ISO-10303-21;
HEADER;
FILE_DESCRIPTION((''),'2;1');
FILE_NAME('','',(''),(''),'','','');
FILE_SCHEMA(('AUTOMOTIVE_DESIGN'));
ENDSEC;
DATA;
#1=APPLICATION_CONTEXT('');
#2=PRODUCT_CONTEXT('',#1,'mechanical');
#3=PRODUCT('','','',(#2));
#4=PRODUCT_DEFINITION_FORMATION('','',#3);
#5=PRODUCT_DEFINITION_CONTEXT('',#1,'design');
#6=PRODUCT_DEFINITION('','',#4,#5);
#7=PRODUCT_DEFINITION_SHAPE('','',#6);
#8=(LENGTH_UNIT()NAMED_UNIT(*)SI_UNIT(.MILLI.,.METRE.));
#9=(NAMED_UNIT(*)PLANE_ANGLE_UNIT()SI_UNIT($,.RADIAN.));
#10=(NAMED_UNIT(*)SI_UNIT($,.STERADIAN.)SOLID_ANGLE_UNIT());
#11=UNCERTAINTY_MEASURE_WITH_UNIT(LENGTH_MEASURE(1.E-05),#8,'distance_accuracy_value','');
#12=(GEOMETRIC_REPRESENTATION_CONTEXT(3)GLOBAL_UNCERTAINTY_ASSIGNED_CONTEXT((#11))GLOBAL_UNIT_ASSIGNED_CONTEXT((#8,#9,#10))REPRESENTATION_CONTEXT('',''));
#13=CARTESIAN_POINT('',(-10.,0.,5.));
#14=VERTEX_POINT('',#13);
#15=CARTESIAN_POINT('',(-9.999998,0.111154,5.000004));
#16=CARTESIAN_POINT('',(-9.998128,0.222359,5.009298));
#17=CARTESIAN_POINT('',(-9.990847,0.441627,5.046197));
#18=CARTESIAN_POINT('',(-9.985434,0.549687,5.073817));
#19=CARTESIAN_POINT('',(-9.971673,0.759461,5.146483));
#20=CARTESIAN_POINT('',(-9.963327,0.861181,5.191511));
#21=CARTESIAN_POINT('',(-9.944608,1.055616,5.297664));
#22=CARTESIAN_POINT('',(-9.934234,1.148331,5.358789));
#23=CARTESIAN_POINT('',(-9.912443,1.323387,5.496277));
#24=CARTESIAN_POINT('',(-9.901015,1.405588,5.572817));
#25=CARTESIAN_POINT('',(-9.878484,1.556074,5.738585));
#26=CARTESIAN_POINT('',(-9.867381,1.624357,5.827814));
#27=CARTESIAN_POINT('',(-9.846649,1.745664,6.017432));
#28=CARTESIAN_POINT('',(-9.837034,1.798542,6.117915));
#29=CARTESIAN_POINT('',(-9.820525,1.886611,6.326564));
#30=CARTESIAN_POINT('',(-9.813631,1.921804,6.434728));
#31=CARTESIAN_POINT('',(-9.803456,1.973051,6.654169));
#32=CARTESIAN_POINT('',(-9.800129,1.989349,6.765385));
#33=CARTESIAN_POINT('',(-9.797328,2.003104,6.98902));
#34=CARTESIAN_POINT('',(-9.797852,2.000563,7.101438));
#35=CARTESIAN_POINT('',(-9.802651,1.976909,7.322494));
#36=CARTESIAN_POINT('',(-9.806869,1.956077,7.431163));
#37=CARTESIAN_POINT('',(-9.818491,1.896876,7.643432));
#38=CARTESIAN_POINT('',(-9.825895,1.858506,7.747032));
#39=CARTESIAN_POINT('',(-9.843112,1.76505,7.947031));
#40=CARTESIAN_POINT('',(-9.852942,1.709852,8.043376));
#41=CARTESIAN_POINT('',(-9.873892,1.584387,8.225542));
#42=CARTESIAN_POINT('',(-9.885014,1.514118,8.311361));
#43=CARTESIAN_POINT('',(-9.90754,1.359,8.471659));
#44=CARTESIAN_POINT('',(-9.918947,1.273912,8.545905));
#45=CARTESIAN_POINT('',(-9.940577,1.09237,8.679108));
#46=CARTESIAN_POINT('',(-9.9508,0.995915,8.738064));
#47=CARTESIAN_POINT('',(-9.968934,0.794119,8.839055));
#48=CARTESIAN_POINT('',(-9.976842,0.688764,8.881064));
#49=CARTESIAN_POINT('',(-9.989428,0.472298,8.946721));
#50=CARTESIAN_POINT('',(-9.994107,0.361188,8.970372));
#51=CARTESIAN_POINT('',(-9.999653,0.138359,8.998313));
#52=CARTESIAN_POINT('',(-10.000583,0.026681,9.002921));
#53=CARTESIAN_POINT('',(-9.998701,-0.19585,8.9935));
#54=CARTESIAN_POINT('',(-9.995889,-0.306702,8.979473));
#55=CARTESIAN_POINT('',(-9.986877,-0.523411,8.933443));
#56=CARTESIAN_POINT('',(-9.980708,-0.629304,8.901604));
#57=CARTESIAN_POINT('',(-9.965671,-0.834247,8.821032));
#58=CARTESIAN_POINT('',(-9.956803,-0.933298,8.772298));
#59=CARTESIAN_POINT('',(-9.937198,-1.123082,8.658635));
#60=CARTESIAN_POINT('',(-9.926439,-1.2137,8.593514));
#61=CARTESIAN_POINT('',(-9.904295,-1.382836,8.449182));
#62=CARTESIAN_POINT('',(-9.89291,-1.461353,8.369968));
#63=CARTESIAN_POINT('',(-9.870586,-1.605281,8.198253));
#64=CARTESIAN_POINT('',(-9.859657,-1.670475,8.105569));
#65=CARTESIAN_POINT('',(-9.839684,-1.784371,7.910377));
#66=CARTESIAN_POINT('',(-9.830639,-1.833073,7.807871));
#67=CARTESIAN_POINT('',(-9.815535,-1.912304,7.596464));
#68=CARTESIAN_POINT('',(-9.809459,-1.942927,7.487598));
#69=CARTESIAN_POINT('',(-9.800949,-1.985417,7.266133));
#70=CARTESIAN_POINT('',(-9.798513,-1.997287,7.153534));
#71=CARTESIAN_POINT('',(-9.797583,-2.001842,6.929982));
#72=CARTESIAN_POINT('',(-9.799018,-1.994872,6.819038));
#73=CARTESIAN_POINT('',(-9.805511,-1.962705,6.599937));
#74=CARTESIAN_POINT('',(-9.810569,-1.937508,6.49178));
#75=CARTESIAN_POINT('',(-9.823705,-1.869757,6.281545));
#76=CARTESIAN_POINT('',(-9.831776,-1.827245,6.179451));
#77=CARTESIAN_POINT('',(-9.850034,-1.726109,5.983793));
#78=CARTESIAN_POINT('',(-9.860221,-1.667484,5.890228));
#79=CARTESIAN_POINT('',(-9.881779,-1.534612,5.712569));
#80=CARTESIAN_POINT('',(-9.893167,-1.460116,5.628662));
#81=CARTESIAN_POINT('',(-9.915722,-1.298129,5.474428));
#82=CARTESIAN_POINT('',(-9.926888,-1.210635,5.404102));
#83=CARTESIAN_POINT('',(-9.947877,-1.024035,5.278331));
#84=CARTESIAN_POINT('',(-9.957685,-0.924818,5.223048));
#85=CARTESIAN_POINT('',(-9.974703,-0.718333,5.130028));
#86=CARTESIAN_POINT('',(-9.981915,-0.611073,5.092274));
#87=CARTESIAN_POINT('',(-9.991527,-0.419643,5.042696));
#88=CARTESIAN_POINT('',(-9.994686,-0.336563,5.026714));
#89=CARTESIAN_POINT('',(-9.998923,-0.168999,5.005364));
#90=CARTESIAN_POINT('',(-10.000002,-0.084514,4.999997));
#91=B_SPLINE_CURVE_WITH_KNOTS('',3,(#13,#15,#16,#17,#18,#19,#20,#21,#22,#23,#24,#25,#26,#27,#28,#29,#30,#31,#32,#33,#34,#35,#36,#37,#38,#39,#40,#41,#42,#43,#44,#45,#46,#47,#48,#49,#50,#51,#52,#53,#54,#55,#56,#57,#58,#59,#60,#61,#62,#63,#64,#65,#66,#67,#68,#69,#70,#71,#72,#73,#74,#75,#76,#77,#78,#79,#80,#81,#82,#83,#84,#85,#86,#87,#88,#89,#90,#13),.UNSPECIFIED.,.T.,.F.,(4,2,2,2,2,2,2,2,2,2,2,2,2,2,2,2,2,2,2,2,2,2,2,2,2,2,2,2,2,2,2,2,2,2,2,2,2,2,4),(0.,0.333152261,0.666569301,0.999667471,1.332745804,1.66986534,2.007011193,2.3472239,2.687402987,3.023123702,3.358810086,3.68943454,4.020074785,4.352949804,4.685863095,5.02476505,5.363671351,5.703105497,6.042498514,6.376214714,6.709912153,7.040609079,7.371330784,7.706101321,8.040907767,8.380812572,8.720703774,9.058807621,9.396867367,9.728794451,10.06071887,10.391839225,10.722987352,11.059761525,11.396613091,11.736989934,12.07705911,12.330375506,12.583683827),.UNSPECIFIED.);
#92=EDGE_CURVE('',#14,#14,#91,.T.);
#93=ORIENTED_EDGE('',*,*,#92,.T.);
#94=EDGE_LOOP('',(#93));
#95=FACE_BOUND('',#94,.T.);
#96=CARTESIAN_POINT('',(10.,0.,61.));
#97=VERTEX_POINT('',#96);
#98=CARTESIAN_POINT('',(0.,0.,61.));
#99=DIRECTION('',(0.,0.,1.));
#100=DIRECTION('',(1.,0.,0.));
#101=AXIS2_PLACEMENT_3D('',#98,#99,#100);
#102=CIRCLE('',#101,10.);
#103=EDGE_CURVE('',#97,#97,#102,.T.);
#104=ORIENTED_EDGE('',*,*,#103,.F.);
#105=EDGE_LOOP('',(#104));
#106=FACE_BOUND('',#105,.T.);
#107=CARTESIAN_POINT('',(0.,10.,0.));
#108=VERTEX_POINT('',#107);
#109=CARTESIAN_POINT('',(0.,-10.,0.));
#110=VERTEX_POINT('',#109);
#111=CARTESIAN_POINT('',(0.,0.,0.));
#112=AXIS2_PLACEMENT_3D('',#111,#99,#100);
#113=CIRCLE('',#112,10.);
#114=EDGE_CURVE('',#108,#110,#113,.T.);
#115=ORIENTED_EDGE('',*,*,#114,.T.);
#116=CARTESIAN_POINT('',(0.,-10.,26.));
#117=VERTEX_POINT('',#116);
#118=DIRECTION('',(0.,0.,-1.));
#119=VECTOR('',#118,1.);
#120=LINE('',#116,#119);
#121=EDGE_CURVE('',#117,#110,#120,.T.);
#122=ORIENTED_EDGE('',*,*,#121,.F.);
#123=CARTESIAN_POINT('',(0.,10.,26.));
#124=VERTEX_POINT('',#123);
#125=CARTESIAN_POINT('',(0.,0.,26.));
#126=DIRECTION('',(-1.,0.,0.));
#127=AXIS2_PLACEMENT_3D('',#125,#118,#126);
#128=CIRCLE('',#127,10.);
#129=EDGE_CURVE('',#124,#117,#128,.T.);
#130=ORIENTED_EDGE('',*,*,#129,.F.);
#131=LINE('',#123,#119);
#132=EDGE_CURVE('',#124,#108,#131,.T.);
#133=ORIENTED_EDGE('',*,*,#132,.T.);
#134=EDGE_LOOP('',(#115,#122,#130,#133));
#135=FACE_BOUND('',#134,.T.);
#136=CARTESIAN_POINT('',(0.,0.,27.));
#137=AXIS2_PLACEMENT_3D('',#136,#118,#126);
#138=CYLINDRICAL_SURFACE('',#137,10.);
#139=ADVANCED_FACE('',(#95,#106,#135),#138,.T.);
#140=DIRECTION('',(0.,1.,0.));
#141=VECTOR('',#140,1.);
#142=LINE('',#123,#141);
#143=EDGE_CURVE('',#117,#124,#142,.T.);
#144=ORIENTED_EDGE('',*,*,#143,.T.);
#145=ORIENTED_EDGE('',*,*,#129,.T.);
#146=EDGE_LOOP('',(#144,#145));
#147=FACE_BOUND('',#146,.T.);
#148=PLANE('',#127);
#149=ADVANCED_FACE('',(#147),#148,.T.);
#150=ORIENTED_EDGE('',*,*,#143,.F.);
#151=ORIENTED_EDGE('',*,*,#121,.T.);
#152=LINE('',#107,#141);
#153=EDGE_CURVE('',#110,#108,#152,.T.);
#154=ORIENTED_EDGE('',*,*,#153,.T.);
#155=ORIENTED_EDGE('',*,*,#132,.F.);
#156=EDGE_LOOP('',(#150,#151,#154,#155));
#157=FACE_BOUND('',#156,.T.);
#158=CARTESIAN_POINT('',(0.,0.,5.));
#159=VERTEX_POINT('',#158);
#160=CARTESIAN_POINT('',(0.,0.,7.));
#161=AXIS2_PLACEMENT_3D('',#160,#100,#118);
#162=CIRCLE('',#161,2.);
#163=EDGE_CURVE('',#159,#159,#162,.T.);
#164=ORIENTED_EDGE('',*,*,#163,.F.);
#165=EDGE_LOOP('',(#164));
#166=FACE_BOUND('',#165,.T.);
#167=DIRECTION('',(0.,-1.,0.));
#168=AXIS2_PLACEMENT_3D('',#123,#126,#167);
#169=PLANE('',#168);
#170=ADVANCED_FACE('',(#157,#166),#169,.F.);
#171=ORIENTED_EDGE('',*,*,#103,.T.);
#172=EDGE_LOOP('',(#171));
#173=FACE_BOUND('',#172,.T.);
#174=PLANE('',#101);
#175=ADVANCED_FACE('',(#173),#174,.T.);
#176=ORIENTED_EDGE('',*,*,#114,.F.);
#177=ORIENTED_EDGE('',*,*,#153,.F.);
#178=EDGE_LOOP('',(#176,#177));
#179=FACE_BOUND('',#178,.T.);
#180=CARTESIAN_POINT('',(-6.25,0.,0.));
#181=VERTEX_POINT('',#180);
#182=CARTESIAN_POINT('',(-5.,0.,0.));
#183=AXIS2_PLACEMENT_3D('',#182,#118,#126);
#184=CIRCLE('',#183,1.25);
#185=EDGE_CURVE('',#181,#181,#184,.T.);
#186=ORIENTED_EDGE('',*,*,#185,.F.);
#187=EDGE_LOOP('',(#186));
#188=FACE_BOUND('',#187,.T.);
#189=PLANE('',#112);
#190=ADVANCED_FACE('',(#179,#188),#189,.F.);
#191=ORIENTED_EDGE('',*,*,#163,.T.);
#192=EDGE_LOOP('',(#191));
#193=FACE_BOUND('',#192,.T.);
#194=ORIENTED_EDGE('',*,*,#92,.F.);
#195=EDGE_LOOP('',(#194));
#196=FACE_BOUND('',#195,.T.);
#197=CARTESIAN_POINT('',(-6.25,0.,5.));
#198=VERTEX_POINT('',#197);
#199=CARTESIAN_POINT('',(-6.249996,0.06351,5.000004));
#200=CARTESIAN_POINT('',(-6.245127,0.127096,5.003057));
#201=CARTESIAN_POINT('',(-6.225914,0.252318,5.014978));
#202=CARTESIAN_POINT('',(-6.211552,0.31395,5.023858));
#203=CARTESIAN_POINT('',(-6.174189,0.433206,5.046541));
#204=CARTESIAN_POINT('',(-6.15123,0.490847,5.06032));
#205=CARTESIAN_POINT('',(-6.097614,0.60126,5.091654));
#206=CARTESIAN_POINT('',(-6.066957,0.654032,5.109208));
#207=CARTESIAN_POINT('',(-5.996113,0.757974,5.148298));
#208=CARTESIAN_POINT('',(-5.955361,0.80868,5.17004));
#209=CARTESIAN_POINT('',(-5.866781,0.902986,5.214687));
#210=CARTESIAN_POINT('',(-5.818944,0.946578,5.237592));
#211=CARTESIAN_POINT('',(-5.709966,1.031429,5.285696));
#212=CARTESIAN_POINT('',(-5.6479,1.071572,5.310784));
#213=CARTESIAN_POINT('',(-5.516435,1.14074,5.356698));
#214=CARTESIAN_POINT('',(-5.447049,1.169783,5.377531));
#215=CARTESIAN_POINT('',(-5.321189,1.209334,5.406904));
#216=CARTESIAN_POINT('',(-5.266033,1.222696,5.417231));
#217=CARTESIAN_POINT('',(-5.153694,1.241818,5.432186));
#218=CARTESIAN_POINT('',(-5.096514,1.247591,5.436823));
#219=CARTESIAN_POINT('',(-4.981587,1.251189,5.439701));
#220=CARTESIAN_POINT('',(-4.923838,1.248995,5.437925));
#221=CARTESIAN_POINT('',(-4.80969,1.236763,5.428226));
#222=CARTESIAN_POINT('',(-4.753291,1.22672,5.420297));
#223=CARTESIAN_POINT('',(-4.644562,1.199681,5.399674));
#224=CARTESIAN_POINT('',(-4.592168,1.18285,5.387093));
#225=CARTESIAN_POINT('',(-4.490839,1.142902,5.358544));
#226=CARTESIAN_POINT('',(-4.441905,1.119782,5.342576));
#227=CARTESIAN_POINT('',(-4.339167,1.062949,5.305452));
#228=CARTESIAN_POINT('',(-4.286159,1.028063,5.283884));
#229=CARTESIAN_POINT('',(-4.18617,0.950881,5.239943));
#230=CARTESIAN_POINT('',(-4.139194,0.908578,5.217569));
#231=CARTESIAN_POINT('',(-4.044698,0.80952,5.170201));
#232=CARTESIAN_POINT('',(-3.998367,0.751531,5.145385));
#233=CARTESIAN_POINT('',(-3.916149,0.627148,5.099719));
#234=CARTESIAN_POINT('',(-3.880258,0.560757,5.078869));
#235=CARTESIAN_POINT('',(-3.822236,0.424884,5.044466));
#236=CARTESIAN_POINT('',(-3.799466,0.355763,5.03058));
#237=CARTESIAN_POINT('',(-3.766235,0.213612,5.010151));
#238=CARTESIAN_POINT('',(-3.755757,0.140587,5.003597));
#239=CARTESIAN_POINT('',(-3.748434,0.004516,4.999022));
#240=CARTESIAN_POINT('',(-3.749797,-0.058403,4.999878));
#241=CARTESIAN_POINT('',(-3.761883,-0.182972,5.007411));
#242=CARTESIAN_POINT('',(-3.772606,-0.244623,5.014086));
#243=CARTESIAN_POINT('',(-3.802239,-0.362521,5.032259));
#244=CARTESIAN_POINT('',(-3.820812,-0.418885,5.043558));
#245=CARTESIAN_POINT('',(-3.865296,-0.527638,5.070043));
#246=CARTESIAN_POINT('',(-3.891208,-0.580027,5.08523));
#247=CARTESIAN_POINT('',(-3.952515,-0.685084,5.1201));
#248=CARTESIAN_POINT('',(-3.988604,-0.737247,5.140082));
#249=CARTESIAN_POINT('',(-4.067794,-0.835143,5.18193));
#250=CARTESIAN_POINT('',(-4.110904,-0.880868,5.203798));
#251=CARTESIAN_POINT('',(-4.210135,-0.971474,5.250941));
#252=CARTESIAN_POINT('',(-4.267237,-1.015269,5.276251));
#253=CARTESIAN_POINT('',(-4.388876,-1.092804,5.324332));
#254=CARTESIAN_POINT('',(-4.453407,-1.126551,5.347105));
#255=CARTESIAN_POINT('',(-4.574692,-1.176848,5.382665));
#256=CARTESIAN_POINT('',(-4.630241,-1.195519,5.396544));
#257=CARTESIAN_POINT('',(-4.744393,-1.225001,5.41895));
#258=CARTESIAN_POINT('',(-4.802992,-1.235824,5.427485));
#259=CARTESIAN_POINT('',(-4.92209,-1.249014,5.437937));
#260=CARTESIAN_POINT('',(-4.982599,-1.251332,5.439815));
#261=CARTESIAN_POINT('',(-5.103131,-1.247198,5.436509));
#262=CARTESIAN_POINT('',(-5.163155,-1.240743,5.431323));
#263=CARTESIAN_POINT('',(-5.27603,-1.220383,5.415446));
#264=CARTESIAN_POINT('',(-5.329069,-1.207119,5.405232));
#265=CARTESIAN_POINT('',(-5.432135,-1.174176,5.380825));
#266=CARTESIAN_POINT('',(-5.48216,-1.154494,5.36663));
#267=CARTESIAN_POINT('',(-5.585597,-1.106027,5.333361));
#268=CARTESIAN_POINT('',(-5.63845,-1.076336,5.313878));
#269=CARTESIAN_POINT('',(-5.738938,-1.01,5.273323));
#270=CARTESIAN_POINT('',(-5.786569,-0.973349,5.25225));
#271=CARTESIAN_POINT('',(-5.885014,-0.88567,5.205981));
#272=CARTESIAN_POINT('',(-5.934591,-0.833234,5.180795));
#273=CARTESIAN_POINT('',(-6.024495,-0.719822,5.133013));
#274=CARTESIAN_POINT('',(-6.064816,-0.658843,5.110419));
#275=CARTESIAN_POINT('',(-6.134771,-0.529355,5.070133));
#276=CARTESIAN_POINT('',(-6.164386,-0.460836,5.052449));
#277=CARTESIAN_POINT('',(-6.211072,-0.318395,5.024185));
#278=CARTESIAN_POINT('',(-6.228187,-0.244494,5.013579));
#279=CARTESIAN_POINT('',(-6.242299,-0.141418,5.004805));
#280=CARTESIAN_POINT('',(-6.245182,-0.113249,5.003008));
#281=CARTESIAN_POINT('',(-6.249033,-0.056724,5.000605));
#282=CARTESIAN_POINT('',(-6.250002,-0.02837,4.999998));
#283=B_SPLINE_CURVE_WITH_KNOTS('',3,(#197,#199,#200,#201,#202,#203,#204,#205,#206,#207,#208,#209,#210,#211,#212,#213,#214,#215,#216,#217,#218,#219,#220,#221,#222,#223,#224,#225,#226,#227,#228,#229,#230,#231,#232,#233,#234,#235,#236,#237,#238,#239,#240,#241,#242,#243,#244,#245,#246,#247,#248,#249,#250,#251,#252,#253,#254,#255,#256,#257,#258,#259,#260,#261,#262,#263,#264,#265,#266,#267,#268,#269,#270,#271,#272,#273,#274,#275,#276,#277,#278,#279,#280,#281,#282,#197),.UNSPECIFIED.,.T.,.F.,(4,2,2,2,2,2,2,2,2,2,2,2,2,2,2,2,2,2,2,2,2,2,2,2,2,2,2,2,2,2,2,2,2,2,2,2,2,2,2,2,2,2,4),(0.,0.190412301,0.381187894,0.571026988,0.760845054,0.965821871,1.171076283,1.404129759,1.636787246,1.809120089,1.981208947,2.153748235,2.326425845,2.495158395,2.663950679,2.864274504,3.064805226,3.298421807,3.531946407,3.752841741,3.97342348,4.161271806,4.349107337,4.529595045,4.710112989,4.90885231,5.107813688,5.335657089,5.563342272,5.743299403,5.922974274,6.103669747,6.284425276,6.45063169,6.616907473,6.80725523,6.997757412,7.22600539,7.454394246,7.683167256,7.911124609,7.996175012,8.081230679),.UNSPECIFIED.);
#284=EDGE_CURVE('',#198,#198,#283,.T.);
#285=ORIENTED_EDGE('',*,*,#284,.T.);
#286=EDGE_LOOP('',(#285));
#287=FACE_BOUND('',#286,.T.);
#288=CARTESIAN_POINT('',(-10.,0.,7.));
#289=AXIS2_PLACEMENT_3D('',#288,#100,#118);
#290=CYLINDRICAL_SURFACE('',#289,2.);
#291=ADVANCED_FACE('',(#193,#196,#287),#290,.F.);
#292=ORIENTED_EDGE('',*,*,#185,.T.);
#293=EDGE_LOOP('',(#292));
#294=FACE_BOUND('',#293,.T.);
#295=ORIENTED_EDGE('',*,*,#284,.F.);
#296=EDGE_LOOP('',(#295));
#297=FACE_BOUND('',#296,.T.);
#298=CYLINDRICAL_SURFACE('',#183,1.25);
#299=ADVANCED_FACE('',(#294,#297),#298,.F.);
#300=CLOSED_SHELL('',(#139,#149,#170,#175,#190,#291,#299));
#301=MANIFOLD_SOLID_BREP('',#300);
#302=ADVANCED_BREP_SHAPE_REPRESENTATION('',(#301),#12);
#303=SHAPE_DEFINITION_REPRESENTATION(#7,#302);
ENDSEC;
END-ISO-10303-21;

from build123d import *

# Parameters (mm, degrees)
SKETCH_1_R          = 10
EXTRUDE_1_DEPTH     = 27
SKETCH_3_W          = 10
SKETCH_3_H          = 20
CUT_EXTRUDE_2_DEPTH = 26
SKETCH_5_R          = 10
EXTRUDE_2_DEPTH     = 34
SKETCH_4_R          = 2
CUT_EXTRUDE_3_DEPTH = 63.617888818
M3X0_5_1_REACH      = 64.618
M3X0_5_1_BORE_R     = 1.25


with BuildPart() as part:
    # ｽｹｯﾁ1 → ﾎﾞｽ - 押し出し1 (new body)
    with BuildSketch(Plane.XY):
        Circle(SKETCH_1_R)
    extrude(amount=EXTRUDE_1_DEPTH)

    # ｽｹｯﾁ3 → ｶｯﾄ - 押し出し2 (cut)
    with BuildSketch(Plane(origin=(0, 0, 0), x_dir=(-1, 0, 0), z_dir=(0, 0, -1))):
        with Locations((-5, 0)):
            Rectangle(SKETCH_3_W, SKETCH_3_H)
    extrude(amount=-CUT_EXTRUDE_2_DEPTH, mode=Mode.SUBTRACT)

    # ｽｹｯﾁ5 → ﾎﾞｽ - 押し出し2 (add)
    with BuildSketch(Plane.XY.offset(27)):
        with Locations(Location((0, 0, 0), (0, 0, 270))):
            Circle(SKETCH_5_R)
    extrude(amount=EXTRUDE_2_DEPTH)

    # ｽｹｯﾁ4 → ｶｯﾄ - 押し出し3 (cut, through all)
    with BuildSketch(Plane(origin=(0, 0, 0), x_dir=(0, 0, -1), z_dir=(1, 0, 0))):
        with Locations((-7, 0)):
            Circle(SKETCH_4_R)
    extrude(amount=-CUT_EXTRUDE_3_DEPTH, mode=Mode.SUBTRACT)

    # M3x0.5 ねじ穴1 bore → M3x0.5 ねじ穴1 (cut, up to next)
    with BuildSketch(Plane(origin=(0, 0, 0), x_dir=(-1, 0, 0), z_dir=(0, 0, -1)), mode=Mode.PRIVATE) as m3x0_5_1_sk1:
        with Locations((5, 0)):
            Circle(M3X0_5_1_BORE_R)
    m3x0_5_1_tool1 = extrude(m3x0_5_1_sk1.sketch, amount=-M3X0_5_1_REACH, mode=Mode.PRIVATE) & part.part
    add(m3x0_5_1_tool1.solids().sort_by_distance((-5, 0, 0))[0], mode=Mode.SUBTRACT)


solid = part.part
